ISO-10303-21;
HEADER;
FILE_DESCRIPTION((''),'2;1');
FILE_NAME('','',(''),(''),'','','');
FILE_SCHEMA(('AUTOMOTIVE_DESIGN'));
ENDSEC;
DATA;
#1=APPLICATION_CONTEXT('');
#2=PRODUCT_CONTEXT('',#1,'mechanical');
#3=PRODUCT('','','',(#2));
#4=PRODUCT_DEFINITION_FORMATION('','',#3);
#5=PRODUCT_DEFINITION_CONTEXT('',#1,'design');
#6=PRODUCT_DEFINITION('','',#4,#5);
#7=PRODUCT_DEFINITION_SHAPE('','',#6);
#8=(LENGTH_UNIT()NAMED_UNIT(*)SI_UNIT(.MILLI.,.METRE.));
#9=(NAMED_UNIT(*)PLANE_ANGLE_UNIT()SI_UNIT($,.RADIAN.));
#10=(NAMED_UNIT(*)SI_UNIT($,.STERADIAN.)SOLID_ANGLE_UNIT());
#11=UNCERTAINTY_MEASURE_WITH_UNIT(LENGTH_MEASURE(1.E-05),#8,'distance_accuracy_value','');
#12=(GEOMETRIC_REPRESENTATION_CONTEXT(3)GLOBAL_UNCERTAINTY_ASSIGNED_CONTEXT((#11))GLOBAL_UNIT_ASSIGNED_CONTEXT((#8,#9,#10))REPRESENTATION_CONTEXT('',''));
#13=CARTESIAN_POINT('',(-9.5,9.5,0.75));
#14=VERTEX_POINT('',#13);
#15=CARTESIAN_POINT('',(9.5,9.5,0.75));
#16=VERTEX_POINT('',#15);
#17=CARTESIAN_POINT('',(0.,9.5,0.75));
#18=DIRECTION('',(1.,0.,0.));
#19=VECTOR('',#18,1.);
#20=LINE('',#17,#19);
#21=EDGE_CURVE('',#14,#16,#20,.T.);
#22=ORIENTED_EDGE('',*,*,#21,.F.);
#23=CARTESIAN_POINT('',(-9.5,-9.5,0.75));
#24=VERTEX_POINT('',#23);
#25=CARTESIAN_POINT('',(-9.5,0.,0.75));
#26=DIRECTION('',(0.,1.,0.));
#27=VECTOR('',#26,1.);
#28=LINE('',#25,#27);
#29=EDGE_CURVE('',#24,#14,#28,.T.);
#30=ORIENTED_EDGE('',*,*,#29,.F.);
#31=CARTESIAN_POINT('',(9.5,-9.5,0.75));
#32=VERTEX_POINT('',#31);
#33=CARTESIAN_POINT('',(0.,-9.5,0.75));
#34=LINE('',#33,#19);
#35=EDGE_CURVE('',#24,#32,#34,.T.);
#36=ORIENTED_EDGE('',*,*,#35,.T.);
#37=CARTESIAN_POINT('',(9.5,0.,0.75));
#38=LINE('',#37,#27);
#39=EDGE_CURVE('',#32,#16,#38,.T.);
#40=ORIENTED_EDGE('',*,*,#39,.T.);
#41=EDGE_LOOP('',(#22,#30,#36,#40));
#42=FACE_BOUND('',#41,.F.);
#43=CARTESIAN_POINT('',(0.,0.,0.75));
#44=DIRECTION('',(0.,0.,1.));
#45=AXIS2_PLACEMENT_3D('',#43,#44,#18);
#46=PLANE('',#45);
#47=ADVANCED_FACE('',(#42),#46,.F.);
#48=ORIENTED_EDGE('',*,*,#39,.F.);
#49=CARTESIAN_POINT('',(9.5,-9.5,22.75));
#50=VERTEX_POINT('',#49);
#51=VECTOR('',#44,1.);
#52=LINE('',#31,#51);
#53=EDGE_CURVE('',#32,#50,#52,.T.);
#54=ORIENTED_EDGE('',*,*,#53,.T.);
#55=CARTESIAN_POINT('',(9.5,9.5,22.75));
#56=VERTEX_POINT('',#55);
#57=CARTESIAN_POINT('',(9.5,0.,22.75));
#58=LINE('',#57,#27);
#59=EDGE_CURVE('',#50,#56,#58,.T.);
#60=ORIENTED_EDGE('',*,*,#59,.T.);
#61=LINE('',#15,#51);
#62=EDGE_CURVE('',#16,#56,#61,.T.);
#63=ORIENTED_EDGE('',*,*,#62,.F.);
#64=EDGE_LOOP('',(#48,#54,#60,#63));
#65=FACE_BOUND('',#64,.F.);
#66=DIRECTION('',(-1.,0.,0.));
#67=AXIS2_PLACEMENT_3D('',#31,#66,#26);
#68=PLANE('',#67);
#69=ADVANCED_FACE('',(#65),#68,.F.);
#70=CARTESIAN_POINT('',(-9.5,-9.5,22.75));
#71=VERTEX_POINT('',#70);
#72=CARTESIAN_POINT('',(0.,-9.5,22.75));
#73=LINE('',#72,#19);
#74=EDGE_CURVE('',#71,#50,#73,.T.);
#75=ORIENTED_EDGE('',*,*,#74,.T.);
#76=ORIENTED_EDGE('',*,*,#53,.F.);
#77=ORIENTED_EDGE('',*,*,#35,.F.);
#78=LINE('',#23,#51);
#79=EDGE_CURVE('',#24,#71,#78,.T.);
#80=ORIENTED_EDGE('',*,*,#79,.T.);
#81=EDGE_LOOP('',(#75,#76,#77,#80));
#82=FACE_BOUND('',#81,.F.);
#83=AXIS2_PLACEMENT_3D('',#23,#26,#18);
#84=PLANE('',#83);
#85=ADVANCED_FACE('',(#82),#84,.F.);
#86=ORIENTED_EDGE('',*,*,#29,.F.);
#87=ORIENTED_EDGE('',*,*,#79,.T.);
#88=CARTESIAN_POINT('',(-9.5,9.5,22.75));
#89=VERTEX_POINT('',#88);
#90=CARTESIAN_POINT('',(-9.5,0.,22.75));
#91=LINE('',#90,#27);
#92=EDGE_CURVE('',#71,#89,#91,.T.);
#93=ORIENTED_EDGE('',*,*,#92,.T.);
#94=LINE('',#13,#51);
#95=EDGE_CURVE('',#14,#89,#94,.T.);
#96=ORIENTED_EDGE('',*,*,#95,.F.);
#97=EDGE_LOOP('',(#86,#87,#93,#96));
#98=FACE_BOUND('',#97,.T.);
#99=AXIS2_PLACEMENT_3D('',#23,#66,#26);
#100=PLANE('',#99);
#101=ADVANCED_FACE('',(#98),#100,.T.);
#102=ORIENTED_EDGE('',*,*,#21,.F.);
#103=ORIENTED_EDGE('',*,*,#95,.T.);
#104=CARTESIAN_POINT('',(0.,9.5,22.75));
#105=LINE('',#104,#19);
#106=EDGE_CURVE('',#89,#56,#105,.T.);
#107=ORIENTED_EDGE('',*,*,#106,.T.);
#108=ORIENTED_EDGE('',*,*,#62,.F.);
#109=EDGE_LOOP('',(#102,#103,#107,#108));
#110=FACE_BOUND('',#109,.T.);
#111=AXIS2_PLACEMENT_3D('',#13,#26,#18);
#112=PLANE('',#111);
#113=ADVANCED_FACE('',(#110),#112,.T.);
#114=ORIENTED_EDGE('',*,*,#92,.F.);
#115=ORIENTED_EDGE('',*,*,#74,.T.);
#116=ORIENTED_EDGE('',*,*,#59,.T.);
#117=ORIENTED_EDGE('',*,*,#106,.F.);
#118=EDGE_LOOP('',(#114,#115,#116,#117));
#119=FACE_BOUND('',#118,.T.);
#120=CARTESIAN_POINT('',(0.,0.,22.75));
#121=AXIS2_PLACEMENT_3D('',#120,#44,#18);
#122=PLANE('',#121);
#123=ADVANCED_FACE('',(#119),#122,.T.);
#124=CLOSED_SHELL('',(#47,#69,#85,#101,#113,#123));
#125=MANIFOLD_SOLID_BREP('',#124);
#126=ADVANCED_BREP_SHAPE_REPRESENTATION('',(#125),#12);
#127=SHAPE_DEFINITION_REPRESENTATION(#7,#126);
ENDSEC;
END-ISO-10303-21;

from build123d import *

# Parameters (mm, degrees)
CUBE009_W     = 8
CUBE009_H     = 8
CUBE009_DEPTH = 22
CUBE008_W     = 8
CUBE008_H     = 8
CUBE008_DEPTH = 22
CUBE007_W     = 8
CUBE007_H     = 8
CUBE007_DEPTH = 22
CUBE006_W     = 8
CUBE006_H     = 8
CUBE006_DEPTH = 22
CUBE011_W     = 18
CUBE011_H     = 1
CUBE011_DEPTH = 22
CUBE010_W     = 1
CUBE010_H     = 18
CUBE010_DEPTH = 22
CUBE005_W     = 19
CUBE005_H     = 19
CUBE005_DEPTH = 22


with BuildPart() as cube009:
    # cube009 → cube009 (new body)
    with BuildSketch(Plane(origin=(0.5, 0.5, -11), x_dir=(1, 0, 0), z_dir=(0, 0, 1))):
        with Locations((4, 4)):
            Rectangle(CUBE009_W, CUBE009_H)
    extrude(amount=CUBE009_DEPTH)


with BuildPart() as group006:
    # cube008 → cube008 (new body)
    with BuildSketch(Plane(origin=(0.5, -8.5, -11), x_dir=(1, 0, 0), z_dir=(0, 0, 1))):
        with Locations((4, 4)):
            Rectangle(CUBE008_W, CUBE008_H)
    extrude(amount=CUBE008_DEPTH)

    # Group006: union cube009
    add(cube009.part)


with BuildPart() as cube007:
    # cube007 → cube007 (new body)
    with BuildSketch(Plane(origin=(-8.5, 0.5, -11), x_dir=(1, 0, 0), z_dir=(0, 0, 1))):
        with Locations((4, 4)):
            Rectangle(CUBE007_W, CUBE007_H)
    extrude(amount=CUBE007_DEPTH)


with BuildPart() as group007:
    # cube006 → cube006 (new body)
    with BuildSketch(Plane(origin=(-8.5, -8.5, -11), x_dir=(1, 0, 0), z_dir=(0, 0, 1))):
        with Locations((4, 4)):
            Rectangle(CUBE006_W, CUBE006_H)
    extrude(amount=CUBE006_DEPTH)

    # Group005: union cube007
    add(cube007.part)

    # Group007: union Group006
    add(group006.part)


with BuildPart() as cube011:
    # cube011 → cube011 (new body)
    with BuildSketch(Plane(origin=(-9, -0.5, -11), x_dir=(1, 0, 0), z_dir=(0, 0, 1))):
        with Locations((9, 0.5)):
            Rectangle(CUBE011_W, CUBE011_H)
    extrude(amount=CUBE011_DEPTH)


with BuildPart() as group008:
    # cube010 → cube010 (new body)
    with BuildSketch(Plane(origin=(-0.5, -9, -11), x_dir=(1, 0, 0), z_dir=(0, 0, 1))):
        with Locations((0.5, 9)):
            Rectangle(CUBE010_W, CUBE010_H)
    extrude(amount=CUBE010_DEPTH)

    # Group008: union cube011
    add(cube011.part)


with BuildPart() as group009:
    # cube005 → cube005 (new body)
    with BuildSketch(Plane(origin=(-9.5, -9.5, -11), x_dir=(1, 0, 0), z_dir=(0, 0, 1))):
        with Locations((9.5, 9.5)):
            Rectangle(CUBE005_W, CUBE005_H)
    extrude(amount=CUBE005_DEPTH)

    # Group009: union Group007, Group008
    add(group007.part)
    add(group008.part)


with BuildPart() as group009_1:
    # Group009 placement: moved
    add(group009.part.moved(Location((0, 0, 11.75))))


solid = group009_1.part
